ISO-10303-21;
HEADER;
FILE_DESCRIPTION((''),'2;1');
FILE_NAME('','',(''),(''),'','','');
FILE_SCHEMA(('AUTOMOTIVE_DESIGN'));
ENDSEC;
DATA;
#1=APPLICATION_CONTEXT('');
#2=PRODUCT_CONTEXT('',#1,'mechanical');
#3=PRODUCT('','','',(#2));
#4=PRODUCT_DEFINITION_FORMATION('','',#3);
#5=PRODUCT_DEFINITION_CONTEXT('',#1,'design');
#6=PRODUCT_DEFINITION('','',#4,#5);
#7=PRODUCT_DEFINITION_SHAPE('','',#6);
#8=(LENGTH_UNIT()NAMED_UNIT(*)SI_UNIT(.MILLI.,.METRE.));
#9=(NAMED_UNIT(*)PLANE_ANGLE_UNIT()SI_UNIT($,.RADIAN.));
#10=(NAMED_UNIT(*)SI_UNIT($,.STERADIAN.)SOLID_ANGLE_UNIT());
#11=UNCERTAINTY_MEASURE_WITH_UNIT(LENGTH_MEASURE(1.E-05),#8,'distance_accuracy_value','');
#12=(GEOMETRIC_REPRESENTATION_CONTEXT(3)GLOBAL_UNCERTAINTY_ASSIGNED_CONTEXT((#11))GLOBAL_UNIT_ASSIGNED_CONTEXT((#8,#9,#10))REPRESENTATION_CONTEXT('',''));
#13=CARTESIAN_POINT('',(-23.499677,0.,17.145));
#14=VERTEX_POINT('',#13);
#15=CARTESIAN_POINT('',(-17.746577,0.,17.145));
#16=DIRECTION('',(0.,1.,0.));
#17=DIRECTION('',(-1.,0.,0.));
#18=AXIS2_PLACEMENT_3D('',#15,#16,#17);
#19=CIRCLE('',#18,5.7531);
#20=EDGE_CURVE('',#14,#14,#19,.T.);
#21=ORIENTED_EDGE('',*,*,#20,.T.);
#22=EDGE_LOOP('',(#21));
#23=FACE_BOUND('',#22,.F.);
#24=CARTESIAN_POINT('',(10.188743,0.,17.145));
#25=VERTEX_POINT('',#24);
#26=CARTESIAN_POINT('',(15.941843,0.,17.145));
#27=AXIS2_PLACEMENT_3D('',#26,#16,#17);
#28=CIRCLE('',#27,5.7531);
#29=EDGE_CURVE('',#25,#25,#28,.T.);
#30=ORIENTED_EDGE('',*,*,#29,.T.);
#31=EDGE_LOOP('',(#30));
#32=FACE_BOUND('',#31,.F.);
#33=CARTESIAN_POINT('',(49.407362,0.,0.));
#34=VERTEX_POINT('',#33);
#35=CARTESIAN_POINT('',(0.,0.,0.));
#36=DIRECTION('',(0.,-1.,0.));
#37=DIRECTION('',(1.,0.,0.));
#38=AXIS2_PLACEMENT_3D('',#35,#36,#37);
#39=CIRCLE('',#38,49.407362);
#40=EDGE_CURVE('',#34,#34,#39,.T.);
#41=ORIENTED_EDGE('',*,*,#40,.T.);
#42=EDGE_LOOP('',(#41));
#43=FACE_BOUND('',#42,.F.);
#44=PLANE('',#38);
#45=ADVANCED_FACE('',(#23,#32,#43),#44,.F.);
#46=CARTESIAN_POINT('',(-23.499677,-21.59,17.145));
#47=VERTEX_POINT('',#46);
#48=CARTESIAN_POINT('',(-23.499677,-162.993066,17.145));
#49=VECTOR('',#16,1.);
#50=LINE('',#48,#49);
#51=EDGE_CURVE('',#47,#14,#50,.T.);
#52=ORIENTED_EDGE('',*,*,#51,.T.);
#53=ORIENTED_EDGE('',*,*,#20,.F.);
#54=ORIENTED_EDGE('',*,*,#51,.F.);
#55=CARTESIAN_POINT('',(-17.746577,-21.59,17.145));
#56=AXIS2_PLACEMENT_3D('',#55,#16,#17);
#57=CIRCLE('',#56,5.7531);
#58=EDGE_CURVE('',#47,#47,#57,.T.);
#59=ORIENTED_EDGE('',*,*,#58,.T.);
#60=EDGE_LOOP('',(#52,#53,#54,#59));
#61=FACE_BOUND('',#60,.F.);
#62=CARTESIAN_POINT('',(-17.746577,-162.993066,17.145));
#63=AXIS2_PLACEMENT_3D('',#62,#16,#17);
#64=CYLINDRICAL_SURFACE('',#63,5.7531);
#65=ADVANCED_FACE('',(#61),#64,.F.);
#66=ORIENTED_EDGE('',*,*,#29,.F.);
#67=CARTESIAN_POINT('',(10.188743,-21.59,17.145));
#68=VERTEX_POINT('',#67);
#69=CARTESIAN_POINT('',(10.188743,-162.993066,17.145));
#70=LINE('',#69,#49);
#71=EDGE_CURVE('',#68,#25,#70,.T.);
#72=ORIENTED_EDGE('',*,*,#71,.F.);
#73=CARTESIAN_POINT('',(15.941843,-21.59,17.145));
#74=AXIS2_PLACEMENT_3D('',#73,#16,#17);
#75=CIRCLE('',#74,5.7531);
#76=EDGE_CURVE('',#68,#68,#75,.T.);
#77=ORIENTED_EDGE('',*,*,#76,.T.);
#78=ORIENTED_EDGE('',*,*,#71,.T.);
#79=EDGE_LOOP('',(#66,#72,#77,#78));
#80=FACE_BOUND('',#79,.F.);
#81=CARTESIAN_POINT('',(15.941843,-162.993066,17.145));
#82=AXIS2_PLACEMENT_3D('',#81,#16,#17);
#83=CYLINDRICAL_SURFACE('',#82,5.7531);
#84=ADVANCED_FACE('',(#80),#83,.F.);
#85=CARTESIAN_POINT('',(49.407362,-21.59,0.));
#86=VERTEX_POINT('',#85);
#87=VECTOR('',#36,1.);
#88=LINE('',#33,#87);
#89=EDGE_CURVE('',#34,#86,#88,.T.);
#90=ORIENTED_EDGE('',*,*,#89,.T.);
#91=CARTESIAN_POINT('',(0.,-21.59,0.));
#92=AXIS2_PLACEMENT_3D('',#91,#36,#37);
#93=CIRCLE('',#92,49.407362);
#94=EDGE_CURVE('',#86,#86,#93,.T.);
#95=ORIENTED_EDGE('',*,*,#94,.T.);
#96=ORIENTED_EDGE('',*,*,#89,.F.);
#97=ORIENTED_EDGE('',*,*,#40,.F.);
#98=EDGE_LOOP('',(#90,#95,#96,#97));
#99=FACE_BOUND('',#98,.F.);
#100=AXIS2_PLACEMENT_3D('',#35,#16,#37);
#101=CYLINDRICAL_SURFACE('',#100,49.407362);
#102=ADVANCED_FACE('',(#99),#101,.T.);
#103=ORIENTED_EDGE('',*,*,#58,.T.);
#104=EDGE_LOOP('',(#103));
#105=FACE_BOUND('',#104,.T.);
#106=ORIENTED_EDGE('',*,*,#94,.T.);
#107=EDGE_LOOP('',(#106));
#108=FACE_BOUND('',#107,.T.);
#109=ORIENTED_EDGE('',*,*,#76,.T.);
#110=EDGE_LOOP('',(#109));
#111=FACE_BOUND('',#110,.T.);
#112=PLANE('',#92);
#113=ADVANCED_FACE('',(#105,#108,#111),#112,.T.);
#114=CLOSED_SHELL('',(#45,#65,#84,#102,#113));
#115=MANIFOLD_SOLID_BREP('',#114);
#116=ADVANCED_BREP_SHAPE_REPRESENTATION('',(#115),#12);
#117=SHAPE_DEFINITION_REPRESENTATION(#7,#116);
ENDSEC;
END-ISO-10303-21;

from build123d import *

# Parameters (mm, degrees)
F0_R     = 49.4073615008
F1_DEPTH = 21.59
F3_D     = 11.5062
F6_D     = 11.5062


with BuildPart() as f1:
    # F0 (on Front) → F1 (new body)
    with BuildSketch(Plane.XZ):
        Circle(F0_R)
    extrude(amount=F1_DEPTH)

    # F3 (through all)
    with Locations(Plane.XZ.offset(21.59)):
        with Locations((-17.7465770394, 17.1450003982)):
            Hole(F3_D / 2)

    # F6 (through all)
    with Locations(Plane.XZ.offset(21.59)):
        with Locations((15.9418433905, 17.1450003982)):
            Hole(F6_D / 2)


solid = f1.part
